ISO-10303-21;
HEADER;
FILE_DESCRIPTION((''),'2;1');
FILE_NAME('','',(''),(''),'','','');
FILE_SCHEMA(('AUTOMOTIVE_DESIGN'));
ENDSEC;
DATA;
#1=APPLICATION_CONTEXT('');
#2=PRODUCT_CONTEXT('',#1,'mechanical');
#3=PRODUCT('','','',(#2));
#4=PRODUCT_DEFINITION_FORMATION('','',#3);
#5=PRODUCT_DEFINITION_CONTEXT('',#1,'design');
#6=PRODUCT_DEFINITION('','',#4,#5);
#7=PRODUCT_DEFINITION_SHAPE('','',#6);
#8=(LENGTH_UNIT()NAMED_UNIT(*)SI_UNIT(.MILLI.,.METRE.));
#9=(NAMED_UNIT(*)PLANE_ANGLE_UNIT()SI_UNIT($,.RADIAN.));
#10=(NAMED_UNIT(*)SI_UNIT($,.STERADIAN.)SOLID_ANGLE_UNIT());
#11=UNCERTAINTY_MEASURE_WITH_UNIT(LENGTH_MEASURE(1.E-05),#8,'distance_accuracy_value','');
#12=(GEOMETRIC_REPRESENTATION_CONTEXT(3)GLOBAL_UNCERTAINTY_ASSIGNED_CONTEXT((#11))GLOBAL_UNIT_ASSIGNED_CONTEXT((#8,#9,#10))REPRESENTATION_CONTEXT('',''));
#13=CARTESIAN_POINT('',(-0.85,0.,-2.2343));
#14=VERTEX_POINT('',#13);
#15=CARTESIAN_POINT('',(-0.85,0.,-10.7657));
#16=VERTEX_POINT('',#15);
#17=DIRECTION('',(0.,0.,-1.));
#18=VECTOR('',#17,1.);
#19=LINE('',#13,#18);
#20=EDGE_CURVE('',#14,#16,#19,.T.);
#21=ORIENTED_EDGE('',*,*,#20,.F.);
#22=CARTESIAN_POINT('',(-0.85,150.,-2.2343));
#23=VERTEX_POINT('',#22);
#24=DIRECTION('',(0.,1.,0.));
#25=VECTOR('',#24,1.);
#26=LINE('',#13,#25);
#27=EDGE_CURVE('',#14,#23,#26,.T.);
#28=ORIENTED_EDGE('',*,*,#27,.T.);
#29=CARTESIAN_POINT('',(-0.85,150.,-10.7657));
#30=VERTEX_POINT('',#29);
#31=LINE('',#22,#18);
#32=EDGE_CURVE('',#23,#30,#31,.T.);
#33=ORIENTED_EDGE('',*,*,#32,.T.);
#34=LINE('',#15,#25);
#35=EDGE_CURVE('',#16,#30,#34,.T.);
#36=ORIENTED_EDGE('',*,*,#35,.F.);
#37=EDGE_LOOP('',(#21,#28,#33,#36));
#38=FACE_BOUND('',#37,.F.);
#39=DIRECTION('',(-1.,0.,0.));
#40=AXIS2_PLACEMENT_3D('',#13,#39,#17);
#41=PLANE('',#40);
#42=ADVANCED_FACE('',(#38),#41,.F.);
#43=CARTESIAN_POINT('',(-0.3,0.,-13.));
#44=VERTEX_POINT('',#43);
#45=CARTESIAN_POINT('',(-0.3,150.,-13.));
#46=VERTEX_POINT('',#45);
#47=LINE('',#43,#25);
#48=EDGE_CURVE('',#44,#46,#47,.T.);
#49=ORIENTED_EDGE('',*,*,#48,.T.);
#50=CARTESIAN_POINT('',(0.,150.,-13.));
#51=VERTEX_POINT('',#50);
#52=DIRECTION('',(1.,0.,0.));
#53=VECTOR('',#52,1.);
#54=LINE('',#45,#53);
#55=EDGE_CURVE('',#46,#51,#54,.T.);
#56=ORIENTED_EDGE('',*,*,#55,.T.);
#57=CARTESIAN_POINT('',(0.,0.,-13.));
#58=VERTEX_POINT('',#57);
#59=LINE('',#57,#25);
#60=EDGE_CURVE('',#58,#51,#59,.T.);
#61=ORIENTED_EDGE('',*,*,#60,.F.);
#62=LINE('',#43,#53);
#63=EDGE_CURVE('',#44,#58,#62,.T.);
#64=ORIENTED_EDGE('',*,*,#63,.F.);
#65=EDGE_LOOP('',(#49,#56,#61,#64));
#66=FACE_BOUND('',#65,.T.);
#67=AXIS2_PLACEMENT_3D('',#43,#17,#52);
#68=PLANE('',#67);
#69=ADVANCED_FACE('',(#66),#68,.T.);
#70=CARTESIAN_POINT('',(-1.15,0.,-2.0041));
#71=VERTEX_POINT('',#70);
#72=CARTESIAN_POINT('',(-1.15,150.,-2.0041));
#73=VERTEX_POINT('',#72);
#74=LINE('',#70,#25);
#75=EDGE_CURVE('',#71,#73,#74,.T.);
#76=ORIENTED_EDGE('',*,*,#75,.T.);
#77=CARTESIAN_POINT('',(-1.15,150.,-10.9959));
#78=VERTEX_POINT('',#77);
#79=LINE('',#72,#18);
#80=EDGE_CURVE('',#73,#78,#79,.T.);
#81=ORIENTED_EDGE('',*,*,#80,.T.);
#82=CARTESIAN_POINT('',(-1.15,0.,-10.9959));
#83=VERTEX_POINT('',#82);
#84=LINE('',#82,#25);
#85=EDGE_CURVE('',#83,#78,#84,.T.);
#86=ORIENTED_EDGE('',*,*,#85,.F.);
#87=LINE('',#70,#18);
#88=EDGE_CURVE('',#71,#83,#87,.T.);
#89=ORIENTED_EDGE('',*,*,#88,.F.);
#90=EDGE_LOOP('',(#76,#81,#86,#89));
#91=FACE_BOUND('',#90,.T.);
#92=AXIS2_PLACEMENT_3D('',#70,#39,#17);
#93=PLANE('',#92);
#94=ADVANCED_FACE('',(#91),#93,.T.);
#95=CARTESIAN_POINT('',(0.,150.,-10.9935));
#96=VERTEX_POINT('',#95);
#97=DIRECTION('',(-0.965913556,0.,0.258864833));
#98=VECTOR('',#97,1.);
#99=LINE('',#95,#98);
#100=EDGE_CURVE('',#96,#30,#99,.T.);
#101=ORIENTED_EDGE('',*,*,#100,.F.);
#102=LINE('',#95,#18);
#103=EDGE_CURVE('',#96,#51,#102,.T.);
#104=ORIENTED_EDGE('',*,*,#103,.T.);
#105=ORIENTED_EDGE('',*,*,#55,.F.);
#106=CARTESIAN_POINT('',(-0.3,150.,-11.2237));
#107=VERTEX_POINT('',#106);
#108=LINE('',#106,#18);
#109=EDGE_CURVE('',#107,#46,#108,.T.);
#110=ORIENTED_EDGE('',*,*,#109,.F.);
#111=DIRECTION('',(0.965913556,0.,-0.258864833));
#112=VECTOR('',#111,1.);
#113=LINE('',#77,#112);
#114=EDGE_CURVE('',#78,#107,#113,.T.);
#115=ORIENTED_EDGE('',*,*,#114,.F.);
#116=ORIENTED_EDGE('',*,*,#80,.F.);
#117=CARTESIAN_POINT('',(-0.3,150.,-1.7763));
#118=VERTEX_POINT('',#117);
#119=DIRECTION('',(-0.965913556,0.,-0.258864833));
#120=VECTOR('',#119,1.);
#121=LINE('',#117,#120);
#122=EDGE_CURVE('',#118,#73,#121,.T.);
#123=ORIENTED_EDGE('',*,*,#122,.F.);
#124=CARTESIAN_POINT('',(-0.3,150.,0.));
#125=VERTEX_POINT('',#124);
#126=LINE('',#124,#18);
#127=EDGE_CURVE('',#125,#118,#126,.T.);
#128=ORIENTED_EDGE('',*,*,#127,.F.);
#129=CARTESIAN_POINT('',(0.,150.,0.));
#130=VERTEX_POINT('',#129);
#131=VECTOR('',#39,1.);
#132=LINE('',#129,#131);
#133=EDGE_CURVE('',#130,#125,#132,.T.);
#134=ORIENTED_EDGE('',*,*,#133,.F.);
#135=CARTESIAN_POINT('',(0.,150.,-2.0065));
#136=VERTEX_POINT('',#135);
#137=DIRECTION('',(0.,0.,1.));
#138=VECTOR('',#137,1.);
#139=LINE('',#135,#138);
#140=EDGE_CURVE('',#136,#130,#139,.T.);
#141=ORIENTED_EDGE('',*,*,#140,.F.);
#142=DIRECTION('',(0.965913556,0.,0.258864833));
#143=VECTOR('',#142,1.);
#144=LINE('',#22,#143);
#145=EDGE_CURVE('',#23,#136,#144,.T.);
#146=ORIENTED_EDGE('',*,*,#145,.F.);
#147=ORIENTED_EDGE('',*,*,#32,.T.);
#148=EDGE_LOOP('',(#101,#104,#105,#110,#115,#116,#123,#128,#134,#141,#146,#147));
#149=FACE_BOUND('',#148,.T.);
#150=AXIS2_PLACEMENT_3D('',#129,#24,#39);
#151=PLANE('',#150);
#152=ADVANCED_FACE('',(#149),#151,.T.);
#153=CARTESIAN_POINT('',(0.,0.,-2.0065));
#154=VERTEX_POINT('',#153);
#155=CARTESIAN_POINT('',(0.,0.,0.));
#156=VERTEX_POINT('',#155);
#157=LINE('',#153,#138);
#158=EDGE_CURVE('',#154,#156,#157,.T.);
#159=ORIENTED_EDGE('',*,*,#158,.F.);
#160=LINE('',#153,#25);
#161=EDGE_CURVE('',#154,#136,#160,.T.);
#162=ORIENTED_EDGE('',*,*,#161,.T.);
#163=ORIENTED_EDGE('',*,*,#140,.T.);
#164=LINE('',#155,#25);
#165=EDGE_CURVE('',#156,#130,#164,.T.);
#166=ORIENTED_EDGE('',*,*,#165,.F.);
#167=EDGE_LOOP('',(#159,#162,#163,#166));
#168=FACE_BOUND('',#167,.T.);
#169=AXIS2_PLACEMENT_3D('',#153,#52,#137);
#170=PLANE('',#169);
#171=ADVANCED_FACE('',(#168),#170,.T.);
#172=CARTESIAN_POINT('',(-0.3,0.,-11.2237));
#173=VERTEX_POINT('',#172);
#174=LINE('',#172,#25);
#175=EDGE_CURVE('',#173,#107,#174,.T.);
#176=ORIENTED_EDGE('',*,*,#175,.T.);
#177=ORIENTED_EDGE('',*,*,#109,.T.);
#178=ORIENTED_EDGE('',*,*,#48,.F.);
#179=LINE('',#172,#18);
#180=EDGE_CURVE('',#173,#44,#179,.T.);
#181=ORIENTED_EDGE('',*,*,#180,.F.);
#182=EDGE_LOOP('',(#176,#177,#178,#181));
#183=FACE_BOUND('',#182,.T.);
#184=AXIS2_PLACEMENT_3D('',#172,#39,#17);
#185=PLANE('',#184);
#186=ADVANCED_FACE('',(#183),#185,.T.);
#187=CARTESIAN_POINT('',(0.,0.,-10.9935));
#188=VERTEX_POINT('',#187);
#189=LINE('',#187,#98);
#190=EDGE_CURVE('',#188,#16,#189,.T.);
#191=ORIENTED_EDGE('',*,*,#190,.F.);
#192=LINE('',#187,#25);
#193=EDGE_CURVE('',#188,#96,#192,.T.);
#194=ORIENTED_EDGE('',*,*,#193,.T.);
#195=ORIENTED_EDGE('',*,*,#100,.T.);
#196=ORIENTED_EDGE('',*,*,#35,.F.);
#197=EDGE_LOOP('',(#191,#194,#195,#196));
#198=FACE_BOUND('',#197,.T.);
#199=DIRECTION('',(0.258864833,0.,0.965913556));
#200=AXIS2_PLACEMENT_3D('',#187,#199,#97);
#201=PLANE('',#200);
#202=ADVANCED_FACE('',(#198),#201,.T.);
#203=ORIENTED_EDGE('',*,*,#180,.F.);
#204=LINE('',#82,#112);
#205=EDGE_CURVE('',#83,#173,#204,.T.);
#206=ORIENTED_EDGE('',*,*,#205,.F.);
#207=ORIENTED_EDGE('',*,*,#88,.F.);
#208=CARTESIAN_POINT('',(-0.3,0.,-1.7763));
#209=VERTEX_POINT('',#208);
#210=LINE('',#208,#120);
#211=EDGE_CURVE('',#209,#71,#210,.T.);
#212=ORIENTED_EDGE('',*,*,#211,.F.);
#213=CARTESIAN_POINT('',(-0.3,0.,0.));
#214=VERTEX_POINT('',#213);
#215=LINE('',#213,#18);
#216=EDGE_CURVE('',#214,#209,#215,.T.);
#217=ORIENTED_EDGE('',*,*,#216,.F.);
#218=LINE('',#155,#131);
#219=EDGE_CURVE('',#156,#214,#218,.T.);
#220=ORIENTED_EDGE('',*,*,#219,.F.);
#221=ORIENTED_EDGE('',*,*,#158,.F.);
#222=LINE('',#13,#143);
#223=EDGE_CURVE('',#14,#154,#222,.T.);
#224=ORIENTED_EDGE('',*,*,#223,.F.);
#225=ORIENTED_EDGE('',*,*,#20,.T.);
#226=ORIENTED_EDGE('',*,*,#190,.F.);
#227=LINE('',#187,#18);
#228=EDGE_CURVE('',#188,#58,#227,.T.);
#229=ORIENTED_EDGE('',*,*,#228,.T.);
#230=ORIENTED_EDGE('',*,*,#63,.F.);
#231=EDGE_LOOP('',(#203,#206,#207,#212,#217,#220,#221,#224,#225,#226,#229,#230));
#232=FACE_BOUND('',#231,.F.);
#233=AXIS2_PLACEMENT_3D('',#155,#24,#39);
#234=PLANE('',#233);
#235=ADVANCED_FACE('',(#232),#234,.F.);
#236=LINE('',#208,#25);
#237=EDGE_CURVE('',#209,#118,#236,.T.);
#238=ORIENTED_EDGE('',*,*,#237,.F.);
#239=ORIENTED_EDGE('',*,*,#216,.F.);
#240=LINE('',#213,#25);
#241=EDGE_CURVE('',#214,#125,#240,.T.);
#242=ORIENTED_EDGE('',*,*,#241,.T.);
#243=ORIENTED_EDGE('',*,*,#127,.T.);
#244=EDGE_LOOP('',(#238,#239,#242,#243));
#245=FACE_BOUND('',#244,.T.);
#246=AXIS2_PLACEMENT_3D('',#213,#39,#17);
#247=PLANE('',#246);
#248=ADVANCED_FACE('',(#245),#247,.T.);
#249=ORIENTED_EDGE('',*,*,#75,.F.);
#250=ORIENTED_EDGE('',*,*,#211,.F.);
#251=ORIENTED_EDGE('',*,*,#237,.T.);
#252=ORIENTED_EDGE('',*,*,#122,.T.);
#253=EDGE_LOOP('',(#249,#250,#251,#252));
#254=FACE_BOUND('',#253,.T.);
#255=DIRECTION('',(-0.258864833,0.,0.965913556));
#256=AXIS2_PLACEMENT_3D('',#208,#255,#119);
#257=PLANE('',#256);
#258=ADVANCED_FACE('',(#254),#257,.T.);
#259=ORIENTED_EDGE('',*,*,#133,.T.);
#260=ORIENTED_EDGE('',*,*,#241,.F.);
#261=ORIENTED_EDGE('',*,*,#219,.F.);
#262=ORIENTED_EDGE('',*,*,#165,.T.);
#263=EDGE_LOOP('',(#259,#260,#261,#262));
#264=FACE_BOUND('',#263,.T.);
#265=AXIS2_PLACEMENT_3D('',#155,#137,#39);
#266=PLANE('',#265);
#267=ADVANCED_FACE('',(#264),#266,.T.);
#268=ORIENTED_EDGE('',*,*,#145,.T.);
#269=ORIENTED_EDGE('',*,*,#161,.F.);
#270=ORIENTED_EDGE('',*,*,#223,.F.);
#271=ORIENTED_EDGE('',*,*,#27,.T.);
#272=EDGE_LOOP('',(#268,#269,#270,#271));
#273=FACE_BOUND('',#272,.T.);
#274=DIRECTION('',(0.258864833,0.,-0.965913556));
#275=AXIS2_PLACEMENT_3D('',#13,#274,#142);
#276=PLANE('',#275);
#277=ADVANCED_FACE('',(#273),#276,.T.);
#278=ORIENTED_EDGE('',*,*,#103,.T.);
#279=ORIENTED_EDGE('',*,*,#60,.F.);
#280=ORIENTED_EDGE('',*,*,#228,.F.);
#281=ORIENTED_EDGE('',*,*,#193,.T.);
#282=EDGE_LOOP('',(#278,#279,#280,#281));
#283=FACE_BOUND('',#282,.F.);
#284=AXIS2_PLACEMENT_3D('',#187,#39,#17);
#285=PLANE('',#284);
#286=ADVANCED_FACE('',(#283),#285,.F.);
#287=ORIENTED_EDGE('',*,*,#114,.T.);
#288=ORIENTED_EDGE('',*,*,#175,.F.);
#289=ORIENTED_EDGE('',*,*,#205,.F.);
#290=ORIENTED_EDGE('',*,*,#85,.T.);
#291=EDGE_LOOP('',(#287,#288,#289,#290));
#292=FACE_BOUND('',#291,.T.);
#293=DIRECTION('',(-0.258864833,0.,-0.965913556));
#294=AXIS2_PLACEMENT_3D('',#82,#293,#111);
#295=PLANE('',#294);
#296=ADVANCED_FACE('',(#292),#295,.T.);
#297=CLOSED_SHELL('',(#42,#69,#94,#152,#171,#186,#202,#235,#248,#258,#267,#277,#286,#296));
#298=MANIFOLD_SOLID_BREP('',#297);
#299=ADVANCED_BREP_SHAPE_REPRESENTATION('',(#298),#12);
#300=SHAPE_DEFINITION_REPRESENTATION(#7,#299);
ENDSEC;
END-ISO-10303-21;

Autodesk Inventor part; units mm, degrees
ref_plane "YZ Plane" through (0, 0, 0) normal (1, 0, 0) x (0, 1, 0)
ref_plane "XZ Plane" through (0, 0, 0) normal (0, 1, 0) x (-1, 0, 0)
ref_plane "XY Plane" through (0, 0, 0) normal (0, 0, 1) x (1, 0, 0)
sketch "Skizze1" plane through (0, 0, 0) normal (0, 1, 0) x (-1, 0, 0)
  line L0 (0, 0) -> (1.15, 0) construction
  line L1 (1.15, 0) -> (1.15, -13) construction
  line L2 (1.15, -13) -> (0, -13) construction
  line L3 (0, -13) -> (0, 0) construction
  line L4 (0, -6.5) -> (1.15, -6.5) construction
  line L5 (0.575, -1.85) -> (0.575, -11.15) construction
  line L6 (0.3, -1.7763) -> (1.15, -2.0041) construction
  line L7 (0.85, -2.2343) -> (0, -2.0065) construction
  line L8 (0.3, 0) -> (0.3, -1.7763)
  line L9 (0.3, -11.2237) -> (1.15, -10.9959) construction
  line L10 (0, -10.9935) -> (0.85, -10.7657) construction
  line L11 (0.3, -11.2237) -> (0.3, -13)
  line L12 (0.85, -2.2343) -> (0.85, -10.7657)
  line L13 (0, 0) -> (0.3, 0)
  line L14 (0.3, -1.7763) -> (1.15, -2.0041)
  line L15 (1.15, -10.9959) -> (0.3, -11.2237)
  line L16 (0.3, -13) -> (0, -13)
  line L17 (0, -10.9935) -> (0.85, -10.7657)
  line L18 (0.85, -2.2343) -> (0, -2.0065)
  line L19 (1.15, -2.0041) -> (1.15, -10.9959)
  line L20 (0, -2.0065) -> (0, 0)
  line L21 (0, -10.9935) -> (0, -13)
  point P0 (0.575, -6.5)
  dimension "d0" = 1.15
  dimension "d1" = 13
  dimension "d4" = 9.3
  dimension "d7" = 75
  dimension "d8" = 0.3
  dimension "d9" = 0.3
  dimension "d10" = 75
  dimension "d11" = 0.3
  dimension "d12" = 0.3
extrude "Extrusion1" add sketch "Skizze1" along normal blind 150
equation "\"Biegeradius\" = Stärke"
equation "\"BreiteBiegungsfreistellung\" = Stärke"
equation "\"TiefeBiegungsfreistellung\" = 0.5 * Stärke"
equation "\"GrößeEckenfreistellung\" = 4 * Stärke"
equation "\"MinimalRest\" = 2 * Stärke"
equation "\"Übergangsradius\" = Biegeradius"
equation "\"JacobiRadiusGröße\" = Biegeradius"
equation "\"Abstandsgröße\" = Stärke"
equation "\"Stärke\" = 0.5"
properties part number "Koffer_ankerschiene_15m"
